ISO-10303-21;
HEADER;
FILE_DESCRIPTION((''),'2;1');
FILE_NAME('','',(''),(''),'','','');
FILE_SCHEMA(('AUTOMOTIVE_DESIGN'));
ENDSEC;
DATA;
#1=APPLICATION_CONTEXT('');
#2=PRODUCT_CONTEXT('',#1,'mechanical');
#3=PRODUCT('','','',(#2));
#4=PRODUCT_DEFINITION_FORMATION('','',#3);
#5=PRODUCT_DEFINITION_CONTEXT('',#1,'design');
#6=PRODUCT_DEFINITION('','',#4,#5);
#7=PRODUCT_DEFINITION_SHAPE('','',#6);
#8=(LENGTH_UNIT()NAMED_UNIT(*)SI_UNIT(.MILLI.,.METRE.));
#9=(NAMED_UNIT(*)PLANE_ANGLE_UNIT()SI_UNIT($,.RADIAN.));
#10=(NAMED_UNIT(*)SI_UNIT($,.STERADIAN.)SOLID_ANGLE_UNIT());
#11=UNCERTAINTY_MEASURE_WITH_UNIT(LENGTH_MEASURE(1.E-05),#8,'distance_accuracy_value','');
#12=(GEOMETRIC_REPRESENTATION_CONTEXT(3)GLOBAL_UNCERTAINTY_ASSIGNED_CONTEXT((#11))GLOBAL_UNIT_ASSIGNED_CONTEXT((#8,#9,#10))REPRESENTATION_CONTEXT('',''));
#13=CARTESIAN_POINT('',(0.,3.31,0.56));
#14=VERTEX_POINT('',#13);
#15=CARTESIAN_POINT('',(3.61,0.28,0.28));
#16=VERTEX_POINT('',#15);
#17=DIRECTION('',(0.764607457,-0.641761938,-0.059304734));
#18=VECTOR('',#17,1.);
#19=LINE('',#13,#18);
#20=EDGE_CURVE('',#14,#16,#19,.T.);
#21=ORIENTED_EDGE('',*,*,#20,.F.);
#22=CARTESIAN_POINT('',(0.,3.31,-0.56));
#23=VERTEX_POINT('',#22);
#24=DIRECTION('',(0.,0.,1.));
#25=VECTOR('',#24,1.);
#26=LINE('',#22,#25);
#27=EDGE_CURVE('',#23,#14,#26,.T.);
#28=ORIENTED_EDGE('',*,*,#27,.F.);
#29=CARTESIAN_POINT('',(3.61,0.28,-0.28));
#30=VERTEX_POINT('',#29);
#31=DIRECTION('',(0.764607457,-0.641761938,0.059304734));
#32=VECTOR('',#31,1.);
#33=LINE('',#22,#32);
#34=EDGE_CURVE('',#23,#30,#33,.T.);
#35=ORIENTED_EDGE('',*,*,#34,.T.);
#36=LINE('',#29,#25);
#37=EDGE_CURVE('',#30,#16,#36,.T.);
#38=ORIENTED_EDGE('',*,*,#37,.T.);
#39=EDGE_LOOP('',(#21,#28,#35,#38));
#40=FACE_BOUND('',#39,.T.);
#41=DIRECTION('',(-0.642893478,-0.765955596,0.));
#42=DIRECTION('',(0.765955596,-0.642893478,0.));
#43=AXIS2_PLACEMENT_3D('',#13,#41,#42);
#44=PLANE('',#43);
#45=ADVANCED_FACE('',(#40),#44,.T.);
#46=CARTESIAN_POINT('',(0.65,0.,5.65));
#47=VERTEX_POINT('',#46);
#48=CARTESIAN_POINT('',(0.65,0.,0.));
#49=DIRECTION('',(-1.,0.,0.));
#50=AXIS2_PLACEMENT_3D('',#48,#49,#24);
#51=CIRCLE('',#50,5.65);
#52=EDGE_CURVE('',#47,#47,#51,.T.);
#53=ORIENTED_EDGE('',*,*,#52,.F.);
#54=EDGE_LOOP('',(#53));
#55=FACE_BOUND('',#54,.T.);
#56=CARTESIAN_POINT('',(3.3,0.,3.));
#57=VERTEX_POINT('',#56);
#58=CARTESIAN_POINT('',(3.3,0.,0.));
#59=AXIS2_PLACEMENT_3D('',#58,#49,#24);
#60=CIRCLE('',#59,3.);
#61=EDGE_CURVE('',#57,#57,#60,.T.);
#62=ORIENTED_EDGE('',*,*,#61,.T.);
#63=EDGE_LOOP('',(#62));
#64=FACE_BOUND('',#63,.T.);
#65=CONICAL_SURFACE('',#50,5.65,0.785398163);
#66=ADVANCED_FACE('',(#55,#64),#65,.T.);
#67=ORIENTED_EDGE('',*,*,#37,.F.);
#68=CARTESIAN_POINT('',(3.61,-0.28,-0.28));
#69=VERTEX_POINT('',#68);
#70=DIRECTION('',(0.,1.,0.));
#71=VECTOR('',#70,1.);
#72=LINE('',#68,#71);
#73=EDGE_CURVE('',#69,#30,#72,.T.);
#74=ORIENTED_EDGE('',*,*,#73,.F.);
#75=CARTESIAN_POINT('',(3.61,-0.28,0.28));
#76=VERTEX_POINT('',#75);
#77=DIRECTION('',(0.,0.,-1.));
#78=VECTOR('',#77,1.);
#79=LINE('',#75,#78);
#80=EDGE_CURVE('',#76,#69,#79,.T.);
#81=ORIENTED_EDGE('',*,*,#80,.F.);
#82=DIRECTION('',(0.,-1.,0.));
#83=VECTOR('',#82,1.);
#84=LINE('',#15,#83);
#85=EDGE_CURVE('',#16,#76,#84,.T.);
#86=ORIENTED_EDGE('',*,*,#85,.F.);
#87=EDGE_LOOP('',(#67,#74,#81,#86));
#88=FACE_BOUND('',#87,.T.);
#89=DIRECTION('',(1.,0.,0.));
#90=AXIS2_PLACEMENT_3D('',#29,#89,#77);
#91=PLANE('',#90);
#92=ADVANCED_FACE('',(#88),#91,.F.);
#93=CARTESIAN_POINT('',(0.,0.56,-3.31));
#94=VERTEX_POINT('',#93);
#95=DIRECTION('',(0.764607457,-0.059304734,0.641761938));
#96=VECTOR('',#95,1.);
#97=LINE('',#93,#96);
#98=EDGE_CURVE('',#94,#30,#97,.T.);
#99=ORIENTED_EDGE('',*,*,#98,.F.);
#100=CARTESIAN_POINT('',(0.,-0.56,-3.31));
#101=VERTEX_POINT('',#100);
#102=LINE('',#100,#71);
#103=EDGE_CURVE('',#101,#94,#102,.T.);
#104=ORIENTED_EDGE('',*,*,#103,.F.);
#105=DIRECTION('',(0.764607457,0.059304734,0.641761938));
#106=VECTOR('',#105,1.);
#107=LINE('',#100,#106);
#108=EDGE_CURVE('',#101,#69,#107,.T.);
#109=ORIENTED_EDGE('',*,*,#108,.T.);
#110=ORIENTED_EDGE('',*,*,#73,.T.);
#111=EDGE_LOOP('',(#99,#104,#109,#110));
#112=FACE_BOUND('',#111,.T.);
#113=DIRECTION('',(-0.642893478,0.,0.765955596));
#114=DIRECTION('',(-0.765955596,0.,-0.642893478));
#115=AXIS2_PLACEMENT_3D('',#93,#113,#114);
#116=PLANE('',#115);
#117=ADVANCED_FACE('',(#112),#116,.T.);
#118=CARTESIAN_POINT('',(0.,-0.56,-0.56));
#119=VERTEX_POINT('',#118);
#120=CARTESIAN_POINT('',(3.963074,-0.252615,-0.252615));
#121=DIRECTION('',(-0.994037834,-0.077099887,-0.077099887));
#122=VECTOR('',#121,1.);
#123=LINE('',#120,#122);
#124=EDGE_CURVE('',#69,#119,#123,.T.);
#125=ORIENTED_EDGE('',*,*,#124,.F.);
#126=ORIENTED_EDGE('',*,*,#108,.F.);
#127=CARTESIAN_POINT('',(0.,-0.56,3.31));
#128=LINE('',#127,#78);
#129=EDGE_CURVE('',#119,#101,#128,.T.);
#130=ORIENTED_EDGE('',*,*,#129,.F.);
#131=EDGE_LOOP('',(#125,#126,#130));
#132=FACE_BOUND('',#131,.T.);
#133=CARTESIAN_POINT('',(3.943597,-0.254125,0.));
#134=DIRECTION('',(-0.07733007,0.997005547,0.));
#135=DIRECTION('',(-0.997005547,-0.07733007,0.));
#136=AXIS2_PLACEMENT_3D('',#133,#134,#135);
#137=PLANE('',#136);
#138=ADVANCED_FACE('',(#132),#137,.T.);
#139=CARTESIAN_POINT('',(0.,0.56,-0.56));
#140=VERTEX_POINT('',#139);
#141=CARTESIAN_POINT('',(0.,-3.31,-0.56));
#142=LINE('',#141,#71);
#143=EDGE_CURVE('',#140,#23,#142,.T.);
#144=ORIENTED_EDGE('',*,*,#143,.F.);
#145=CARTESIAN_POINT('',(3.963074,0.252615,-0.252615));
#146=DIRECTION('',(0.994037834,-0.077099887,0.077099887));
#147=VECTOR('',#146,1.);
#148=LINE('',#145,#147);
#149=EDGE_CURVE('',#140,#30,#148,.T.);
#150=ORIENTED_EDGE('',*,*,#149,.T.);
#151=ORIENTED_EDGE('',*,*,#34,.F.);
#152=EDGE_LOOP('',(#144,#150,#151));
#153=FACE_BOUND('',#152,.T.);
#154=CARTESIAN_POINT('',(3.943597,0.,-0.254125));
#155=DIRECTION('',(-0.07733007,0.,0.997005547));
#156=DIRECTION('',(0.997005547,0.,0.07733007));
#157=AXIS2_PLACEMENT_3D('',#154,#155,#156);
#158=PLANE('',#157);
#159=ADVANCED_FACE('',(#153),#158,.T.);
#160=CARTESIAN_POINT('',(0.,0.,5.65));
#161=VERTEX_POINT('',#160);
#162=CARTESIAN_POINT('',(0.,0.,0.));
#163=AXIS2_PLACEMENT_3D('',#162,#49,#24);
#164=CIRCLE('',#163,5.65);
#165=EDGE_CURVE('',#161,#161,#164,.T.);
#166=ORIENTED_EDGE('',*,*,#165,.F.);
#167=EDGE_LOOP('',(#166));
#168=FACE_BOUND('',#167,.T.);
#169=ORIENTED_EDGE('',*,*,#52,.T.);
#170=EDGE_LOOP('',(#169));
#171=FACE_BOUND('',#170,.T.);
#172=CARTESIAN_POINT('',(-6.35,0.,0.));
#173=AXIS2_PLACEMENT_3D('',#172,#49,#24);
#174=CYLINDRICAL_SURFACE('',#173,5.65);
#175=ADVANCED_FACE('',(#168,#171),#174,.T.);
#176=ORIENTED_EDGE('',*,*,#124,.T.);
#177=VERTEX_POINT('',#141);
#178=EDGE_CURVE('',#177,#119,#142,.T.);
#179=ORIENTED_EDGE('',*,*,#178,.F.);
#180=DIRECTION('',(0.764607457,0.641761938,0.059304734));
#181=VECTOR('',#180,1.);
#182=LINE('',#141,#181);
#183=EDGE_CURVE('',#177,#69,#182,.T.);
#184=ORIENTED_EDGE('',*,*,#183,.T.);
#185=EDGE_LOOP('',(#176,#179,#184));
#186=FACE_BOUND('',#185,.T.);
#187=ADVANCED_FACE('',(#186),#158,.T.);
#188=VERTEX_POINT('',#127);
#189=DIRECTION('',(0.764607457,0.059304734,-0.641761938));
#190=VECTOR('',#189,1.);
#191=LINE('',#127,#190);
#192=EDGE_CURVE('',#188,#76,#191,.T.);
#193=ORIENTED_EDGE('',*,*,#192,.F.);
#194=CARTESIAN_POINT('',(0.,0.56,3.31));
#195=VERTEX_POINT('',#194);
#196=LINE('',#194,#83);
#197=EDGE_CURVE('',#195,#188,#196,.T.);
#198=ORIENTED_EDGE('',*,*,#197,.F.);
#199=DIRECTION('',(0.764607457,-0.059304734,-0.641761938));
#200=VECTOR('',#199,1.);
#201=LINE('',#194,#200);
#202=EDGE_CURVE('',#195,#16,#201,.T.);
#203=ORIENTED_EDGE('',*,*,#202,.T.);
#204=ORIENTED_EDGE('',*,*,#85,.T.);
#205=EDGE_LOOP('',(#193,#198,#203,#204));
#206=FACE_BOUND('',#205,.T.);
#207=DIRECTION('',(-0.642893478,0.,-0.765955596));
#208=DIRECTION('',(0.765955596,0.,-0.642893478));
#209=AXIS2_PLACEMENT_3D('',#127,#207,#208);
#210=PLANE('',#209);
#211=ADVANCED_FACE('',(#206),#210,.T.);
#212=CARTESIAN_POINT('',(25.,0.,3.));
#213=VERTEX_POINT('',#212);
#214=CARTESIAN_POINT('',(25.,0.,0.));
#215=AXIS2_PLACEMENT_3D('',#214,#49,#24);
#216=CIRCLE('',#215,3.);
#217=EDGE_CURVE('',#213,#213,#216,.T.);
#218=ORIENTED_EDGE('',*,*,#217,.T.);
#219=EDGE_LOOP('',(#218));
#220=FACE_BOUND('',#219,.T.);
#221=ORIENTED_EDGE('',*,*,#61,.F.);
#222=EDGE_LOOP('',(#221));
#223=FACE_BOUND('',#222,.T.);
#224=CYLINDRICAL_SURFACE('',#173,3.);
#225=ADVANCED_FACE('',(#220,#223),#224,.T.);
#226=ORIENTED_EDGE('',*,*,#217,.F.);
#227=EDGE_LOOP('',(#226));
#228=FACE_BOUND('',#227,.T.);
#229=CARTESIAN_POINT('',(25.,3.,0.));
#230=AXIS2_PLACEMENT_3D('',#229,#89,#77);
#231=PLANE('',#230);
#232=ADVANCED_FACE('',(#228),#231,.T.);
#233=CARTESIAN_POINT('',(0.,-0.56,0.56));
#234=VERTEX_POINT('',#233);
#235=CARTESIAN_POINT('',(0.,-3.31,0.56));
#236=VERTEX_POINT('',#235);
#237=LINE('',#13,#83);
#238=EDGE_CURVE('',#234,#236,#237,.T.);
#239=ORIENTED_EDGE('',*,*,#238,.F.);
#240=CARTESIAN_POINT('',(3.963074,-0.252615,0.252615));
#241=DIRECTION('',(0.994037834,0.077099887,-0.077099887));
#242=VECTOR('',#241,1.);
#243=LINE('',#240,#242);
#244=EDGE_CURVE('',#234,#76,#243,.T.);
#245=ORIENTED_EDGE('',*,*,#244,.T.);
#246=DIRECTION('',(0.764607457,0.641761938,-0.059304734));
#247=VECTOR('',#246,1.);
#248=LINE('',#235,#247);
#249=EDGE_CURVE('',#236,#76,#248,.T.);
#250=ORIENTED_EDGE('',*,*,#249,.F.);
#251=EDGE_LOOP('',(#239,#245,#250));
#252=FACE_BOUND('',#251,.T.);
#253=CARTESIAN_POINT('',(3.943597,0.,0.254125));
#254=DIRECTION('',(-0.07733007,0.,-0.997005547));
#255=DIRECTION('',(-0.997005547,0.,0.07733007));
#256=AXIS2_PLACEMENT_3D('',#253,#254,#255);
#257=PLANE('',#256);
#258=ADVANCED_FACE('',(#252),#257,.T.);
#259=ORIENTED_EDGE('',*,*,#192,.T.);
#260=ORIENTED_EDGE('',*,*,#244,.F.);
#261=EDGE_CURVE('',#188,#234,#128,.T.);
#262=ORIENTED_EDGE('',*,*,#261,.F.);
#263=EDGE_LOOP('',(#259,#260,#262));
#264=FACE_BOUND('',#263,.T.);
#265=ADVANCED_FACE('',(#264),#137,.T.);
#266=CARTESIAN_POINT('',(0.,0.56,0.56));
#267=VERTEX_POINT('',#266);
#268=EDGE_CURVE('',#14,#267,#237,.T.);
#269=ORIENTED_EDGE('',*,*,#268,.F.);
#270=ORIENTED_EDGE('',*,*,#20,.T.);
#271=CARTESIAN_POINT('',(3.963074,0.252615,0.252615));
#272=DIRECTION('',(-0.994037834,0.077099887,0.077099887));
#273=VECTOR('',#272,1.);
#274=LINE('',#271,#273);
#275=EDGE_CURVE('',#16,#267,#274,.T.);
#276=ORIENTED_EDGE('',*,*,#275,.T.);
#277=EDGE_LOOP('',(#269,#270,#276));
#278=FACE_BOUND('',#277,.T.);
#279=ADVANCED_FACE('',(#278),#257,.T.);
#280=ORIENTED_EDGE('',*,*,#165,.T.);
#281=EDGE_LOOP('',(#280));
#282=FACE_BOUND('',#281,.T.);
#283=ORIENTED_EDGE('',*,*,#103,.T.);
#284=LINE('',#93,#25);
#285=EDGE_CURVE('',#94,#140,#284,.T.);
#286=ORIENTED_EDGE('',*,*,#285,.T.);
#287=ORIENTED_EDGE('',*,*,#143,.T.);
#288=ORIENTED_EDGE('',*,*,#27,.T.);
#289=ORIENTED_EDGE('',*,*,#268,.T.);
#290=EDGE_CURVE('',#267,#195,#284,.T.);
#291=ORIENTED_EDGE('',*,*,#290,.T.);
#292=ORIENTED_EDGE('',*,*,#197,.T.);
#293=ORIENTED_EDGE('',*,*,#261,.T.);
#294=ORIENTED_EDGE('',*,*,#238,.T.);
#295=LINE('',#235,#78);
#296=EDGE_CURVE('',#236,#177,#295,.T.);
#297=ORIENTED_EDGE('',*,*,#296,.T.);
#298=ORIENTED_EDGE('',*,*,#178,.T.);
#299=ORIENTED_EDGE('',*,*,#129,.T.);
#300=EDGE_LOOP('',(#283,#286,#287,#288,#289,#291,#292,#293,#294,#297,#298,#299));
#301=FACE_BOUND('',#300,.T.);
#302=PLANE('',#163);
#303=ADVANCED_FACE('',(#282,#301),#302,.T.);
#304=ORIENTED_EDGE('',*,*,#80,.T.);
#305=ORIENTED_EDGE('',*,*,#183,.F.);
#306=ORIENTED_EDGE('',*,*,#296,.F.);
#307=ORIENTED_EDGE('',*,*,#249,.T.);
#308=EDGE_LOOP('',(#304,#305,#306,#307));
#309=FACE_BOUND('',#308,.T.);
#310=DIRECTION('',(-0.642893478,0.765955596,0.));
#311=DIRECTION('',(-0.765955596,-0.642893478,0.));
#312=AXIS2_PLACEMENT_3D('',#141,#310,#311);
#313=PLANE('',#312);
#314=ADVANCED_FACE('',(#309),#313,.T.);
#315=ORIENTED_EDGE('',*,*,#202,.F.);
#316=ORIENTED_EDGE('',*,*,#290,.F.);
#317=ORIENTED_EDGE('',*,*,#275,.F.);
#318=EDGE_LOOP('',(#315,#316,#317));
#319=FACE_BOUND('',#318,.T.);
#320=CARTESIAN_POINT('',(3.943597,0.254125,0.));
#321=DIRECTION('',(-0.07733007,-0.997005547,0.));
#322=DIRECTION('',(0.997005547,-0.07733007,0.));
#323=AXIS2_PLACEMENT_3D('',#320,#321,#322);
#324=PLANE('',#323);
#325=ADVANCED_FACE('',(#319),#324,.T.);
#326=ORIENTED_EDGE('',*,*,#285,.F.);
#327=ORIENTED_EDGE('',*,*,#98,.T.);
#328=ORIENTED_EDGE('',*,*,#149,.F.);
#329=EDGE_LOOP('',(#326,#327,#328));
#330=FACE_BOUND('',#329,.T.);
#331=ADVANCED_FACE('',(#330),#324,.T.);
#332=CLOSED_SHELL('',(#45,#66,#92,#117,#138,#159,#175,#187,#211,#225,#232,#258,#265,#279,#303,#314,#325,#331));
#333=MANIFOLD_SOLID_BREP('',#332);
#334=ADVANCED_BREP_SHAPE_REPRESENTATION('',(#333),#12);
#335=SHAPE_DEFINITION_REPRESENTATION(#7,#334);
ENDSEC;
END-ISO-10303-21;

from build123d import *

# Parameters (mm, degrees)
SKETCH3_W         = 1.12
SKETCH3_H         = 6.62
SKETCH4_W         = 0.56
SKETCH4_H         = 0.56
CIRPATTERN1_COUNT = 2
CIRPATTERN1_ANGLE = 90


with BuildPart() as part:
    # BodySke → Base-Revolve (revolve)
    with BuildSketch(Plane.XY):
        Polygon((0, 0), (0, 5.65), (0.65, 5.65), (3.3, 3), (25, 3), (25, 0), align=None)
    revolve(axis=Axis((-6.35, 0, 0), (1, 0, 0)))

    # Sketch3 → Cross section 0
    with BuildSketch(Plane.ZY):
        Rectangle(SKETCH3_W, SKETCH3_H)
    # Sketch4 → Cross section 1
    with BuildSketch(Plane.ZY.offset(-3.61)):
        Rectangle(SKETCH4_W, SKETCH4_H)
    cross = loft(mode=Mode.SUBTRACT)

    # CirPattern1: Cross ×2 about axis
    cirpattern1_axis = Axis((0, 0, 0), (1, 0, 0))
    for i in range(1, CIRPATTERN1_COUNT):
        add(cross.rotate(cirpattern1_axis, i * CIRPATTERN1_ANGLE / (CIRPATTERN1_COUNT - 1)), mode=Mode.SUBTRACT)


solid = part.part
